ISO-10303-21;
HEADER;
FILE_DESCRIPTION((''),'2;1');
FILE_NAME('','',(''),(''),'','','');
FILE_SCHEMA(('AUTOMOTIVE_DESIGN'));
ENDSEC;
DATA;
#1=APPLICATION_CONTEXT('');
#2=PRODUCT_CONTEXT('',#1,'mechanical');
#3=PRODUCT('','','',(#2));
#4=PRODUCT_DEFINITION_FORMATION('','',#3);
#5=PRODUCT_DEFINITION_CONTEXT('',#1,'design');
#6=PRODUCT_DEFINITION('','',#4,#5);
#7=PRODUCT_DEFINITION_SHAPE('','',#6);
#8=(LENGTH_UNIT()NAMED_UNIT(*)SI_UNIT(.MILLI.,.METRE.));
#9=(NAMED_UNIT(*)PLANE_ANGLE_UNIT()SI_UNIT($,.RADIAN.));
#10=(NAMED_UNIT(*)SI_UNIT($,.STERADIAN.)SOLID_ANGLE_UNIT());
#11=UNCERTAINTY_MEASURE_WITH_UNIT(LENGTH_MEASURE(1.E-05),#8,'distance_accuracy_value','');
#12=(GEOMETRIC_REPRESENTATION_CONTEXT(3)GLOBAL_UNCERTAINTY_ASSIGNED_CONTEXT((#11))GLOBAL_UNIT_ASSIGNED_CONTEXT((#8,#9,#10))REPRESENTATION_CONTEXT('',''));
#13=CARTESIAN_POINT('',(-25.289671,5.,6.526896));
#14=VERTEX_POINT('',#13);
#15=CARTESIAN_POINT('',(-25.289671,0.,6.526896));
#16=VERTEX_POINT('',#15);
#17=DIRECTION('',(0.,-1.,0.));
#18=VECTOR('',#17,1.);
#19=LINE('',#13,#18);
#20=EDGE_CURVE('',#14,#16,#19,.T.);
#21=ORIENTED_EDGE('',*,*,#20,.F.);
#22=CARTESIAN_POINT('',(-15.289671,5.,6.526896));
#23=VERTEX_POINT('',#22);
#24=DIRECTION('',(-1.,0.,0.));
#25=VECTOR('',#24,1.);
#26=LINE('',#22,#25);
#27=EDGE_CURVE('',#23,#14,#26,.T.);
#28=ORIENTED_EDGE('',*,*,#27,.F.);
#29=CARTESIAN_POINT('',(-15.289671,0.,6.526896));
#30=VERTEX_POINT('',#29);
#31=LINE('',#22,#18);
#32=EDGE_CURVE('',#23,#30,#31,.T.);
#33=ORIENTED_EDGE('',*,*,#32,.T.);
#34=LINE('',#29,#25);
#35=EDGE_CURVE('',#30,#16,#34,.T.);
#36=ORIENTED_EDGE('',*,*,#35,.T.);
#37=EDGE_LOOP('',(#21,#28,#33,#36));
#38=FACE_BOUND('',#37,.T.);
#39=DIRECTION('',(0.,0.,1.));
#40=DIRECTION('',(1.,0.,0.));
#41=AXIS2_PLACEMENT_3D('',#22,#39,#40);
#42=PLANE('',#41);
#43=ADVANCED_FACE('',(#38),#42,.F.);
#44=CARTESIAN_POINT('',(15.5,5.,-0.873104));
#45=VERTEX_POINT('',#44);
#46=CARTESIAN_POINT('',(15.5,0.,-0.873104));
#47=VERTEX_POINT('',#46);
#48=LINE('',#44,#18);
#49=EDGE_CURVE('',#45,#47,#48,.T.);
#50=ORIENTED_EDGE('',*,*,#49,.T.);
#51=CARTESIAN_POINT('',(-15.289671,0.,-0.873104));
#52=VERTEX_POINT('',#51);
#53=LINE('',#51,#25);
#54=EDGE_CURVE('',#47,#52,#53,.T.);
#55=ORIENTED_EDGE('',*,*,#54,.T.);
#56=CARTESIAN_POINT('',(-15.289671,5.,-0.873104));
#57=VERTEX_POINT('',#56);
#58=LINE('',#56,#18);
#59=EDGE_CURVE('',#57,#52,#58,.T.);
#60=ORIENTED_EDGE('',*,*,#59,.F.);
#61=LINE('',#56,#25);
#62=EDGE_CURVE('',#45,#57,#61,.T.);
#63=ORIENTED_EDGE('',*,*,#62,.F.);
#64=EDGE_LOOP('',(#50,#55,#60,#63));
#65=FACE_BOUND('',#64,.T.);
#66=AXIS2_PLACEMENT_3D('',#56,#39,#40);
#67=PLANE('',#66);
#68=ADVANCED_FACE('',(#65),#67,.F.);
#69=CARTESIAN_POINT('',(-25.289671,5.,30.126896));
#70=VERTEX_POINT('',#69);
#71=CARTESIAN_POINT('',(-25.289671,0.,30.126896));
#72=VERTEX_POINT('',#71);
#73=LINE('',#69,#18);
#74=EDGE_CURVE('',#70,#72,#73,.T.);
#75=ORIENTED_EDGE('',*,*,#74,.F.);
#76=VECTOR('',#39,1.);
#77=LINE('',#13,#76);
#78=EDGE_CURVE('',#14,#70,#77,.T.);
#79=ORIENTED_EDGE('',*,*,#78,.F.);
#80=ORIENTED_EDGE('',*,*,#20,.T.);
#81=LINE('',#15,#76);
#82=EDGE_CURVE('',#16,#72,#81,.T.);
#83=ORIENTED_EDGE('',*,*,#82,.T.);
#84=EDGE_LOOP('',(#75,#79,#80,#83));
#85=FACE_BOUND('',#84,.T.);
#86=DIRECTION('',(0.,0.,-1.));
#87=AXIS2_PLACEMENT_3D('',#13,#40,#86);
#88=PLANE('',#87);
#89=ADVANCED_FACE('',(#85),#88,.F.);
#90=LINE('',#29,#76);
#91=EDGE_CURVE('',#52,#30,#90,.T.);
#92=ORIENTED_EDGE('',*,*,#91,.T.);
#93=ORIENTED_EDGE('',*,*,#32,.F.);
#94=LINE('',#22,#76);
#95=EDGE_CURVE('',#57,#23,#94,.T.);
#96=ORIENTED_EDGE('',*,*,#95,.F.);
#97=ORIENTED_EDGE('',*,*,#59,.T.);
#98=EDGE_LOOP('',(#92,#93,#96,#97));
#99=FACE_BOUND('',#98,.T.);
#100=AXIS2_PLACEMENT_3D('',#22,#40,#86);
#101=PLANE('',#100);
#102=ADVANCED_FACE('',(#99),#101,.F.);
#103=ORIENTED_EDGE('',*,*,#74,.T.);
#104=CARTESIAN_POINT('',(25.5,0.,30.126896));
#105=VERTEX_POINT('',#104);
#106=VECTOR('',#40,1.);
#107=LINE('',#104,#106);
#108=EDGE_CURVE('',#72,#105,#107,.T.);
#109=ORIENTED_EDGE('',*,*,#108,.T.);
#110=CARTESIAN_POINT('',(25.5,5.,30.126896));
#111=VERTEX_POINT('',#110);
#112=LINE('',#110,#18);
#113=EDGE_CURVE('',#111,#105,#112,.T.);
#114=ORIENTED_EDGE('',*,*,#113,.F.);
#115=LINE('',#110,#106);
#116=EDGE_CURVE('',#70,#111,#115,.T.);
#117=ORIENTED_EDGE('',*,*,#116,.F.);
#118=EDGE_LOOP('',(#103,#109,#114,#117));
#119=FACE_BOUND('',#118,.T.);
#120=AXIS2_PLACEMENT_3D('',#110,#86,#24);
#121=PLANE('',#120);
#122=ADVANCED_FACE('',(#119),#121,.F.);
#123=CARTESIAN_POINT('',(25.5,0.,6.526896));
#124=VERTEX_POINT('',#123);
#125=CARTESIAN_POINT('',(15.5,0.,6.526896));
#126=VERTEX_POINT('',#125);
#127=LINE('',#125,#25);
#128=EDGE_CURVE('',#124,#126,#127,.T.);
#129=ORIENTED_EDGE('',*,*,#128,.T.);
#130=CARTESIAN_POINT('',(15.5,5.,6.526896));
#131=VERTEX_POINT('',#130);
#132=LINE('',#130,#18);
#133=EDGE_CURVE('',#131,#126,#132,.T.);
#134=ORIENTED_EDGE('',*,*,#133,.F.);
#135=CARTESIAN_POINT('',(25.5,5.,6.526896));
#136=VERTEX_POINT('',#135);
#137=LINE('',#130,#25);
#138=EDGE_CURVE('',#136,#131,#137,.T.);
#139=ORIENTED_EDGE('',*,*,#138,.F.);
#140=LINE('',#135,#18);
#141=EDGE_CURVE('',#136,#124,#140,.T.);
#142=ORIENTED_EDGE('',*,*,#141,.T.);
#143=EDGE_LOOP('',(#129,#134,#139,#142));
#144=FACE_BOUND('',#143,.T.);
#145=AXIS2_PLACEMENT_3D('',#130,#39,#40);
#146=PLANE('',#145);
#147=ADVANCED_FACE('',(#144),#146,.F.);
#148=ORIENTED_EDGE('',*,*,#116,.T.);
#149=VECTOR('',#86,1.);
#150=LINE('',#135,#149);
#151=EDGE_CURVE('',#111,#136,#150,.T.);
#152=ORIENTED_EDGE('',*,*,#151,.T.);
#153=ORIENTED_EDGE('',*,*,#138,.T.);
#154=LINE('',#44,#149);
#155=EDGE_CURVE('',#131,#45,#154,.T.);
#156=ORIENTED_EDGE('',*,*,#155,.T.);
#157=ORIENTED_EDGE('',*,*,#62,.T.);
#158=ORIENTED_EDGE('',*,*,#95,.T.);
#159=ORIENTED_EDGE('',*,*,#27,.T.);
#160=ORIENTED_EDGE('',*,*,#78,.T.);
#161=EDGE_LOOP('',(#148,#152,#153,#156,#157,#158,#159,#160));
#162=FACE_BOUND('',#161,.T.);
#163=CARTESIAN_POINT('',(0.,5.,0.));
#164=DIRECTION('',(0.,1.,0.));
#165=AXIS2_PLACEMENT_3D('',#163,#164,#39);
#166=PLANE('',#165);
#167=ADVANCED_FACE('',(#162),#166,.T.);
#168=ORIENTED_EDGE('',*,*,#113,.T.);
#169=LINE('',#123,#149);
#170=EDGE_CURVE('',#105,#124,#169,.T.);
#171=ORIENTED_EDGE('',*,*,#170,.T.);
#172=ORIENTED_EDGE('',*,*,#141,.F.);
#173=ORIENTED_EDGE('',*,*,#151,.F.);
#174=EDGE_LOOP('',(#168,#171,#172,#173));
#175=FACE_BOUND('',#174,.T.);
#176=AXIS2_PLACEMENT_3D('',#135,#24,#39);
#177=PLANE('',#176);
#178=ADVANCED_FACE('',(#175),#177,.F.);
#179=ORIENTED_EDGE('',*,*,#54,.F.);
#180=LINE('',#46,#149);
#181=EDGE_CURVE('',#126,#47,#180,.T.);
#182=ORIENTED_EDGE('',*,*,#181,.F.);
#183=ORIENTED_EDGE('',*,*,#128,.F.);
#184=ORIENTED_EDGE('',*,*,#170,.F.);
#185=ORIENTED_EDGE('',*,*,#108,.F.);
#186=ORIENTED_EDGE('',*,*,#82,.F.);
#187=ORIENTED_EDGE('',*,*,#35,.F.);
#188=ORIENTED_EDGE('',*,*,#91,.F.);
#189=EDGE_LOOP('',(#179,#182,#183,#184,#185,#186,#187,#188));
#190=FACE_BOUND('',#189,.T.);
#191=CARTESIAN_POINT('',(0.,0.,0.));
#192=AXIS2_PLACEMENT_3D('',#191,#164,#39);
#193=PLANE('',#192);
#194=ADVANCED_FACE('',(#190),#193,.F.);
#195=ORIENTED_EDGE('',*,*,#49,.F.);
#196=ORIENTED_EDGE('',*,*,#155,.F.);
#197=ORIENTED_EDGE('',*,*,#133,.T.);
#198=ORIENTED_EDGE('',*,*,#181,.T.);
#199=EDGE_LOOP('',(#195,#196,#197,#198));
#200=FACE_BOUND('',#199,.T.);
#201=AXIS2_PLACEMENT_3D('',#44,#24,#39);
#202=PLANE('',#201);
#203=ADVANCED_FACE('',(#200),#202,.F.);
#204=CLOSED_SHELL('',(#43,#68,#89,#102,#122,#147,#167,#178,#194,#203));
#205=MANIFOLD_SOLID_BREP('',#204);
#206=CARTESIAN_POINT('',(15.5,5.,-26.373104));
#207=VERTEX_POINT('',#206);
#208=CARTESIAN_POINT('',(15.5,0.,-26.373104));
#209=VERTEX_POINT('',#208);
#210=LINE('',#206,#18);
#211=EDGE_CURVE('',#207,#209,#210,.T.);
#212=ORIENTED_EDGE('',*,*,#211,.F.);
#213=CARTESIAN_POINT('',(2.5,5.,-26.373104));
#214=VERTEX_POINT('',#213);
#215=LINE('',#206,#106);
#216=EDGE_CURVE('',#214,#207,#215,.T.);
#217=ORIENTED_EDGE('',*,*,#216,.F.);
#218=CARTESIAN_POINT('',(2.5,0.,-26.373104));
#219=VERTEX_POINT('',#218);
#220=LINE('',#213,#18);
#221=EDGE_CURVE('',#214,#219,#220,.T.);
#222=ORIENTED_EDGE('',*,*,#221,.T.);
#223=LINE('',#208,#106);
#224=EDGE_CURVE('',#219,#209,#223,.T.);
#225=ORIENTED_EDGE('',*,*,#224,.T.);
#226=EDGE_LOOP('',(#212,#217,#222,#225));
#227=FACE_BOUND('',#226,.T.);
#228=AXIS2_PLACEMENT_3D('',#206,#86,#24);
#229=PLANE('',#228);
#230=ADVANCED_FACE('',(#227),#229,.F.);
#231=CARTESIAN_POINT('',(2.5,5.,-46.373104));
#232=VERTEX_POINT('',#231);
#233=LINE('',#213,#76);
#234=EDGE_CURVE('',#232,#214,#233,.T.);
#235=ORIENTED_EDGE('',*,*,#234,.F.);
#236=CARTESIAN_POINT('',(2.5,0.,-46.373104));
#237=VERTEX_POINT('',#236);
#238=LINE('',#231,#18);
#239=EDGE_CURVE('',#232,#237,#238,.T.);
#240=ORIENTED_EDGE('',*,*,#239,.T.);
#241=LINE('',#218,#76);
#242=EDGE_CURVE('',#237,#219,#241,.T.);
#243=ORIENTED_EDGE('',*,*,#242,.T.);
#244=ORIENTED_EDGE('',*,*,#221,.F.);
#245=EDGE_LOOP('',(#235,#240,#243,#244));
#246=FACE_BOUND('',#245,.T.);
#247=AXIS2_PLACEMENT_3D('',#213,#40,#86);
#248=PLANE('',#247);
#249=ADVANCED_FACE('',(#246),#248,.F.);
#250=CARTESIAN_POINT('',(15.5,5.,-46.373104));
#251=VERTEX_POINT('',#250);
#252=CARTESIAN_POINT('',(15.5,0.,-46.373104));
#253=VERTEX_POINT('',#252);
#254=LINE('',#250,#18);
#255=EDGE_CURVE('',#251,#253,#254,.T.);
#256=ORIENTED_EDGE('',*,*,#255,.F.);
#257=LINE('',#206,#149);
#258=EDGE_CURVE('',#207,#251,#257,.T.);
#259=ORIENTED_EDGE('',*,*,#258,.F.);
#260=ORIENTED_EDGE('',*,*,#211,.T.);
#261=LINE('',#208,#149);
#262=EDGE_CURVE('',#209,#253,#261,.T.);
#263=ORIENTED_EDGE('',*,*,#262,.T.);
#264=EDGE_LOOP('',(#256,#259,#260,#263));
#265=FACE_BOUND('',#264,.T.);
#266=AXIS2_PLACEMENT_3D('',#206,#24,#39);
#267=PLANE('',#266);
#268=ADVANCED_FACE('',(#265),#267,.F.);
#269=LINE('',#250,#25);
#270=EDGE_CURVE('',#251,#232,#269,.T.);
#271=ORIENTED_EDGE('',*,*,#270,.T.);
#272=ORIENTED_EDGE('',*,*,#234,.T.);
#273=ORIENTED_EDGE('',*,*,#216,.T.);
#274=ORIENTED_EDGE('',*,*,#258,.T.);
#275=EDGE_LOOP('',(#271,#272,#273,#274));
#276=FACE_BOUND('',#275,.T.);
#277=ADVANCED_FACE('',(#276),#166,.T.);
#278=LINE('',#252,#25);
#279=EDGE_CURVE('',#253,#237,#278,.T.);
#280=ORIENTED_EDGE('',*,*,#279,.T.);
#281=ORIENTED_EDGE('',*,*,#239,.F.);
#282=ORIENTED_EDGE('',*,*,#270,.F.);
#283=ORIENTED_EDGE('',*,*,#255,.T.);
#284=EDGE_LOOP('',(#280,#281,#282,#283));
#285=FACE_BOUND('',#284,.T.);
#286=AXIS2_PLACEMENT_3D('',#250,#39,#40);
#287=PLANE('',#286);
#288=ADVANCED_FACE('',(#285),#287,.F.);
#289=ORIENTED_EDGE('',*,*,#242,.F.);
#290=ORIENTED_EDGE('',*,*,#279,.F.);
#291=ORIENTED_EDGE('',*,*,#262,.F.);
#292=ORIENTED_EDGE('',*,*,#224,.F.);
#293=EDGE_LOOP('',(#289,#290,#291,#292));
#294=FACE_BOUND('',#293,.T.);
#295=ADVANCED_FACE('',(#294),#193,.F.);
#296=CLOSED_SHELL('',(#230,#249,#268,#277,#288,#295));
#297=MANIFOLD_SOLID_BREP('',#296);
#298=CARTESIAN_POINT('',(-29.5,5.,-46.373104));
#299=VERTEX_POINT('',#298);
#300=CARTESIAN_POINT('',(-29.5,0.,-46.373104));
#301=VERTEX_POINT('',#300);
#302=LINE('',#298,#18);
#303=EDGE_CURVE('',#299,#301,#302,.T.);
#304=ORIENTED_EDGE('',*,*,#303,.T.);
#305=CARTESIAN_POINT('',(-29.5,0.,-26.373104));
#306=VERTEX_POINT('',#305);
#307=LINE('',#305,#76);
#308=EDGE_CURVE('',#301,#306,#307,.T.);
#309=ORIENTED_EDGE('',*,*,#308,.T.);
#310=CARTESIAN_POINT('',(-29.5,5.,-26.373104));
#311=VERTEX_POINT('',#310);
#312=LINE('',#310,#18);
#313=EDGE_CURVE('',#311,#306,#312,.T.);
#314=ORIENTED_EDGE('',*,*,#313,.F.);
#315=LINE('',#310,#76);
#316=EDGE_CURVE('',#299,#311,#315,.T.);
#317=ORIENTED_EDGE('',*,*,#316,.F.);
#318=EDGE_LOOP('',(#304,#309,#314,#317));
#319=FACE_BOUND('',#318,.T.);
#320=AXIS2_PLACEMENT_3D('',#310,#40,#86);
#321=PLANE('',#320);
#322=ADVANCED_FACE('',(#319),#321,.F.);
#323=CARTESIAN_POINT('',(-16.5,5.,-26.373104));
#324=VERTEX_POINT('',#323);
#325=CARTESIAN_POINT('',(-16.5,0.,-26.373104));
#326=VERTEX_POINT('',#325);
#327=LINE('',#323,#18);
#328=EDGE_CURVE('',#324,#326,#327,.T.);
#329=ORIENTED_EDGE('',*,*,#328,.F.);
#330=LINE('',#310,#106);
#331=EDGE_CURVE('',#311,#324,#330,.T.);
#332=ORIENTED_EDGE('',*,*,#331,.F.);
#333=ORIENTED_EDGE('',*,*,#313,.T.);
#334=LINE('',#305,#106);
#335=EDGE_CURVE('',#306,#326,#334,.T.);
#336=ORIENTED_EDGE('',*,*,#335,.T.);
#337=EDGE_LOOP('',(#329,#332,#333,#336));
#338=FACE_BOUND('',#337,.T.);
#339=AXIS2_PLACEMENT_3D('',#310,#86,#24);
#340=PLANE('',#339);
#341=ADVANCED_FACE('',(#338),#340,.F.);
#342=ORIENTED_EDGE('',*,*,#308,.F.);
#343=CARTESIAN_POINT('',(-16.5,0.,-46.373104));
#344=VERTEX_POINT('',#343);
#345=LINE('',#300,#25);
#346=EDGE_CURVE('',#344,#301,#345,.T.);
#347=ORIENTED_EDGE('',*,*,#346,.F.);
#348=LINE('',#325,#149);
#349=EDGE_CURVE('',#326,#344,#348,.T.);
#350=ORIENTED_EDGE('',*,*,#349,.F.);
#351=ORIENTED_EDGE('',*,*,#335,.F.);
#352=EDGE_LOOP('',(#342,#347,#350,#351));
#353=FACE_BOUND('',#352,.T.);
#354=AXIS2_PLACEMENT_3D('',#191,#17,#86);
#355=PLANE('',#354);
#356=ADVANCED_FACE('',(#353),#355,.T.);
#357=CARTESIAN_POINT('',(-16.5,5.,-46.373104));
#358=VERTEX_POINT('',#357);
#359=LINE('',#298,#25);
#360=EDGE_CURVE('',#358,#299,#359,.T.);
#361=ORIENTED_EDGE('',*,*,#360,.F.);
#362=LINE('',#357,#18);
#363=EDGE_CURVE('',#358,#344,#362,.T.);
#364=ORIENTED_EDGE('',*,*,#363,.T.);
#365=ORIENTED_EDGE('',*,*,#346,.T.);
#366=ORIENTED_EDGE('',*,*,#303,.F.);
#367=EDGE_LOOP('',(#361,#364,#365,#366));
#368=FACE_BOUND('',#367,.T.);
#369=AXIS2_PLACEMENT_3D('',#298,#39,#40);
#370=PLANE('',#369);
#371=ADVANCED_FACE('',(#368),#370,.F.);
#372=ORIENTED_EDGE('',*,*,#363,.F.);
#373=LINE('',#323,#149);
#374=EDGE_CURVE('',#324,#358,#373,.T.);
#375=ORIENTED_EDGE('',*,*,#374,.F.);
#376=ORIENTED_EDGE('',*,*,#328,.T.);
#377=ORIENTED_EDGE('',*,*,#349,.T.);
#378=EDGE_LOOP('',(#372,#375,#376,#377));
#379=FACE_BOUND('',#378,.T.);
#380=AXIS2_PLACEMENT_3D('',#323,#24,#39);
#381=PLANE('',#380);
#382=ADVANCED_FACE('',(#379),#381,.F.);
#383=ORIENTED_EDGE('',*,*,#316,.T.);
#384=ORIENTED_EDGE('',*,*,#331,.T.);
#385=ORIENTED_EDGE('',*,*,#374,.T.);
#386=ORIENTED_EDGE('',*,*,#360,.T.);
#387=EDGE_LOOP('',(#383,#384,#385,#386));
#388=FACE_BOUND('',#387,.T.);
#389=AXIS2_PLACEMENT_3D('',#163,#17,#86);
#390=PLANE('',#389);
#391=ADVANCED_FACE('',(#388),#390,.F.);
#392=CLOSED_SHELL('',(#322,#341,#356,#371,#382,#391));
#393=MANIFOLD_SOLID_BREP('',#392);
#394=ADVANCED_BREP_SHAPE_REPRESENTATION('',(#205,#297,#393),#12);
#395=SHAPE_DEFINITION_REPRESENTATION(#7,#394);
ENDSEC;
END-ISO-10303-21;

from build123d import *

# Parameters (mm, degrees)
BOSS_EXTRUDE1_DEPTH   = 5
SKETCH1_W             = 13
SKETCH1_H             = 20
BOSS_EXTRUDE1_2_DEPTH = 5
BOSS_EXTRUDE1_3_DEPTH = 5


with BuildPart() as part:
    # Sketch1 → Boss-Extrude1 (new body)
    with BuildSketch(Plane(origin=(0, 0, 0), x_dir=(1, 0, 0), z_dir=(0, 1, 0))):
        Polygon((-15.28967138, -6.526896022), (-25.28967138, -6.526896022), (-25.28967138, -30.126896022), (25.5, -30.126896022), (25.5, -6.526896022), (15.5, -6.526896022), (15.5, 0.873103978), (-15.28967138, 0.873103978), align=None)
    extrude(amount=BOSS_EXTRUDE1_DEPTH)


with BuildPart() as body_2:
    # Sketch1 → Boss-Extrude1 2 (new body)
    with BuildSketch(Plane(origin=(0, 0, 0), x_dir=(1, 0, 0), z_dir=(0, 1, 0))):
        with Locations((-23, 36.373103978)):
            Rectangle(SKETCH1_W, SKETCH1_H)
    extrude(amount=BOSS_EXTRUDE1_2_DEPTH)


with BuildPart() as body_3:
    # Sketch1 → Boss-Extrude1 3 (new body)
    with BuildSketch(Plane(origin=(0, 0, 0), x_dir=(1, 0, 0), z_dir=(0, 1, 0))):
        with Locations((9, 36.373103978)):
            Rectangle(SKETCH1_W, SKETCH1_H)
    extrude(amount=BOSS_EXTRUDE1_3_DEPTH)


solid = Compound([part.part, body_2.part, body_3.part])
